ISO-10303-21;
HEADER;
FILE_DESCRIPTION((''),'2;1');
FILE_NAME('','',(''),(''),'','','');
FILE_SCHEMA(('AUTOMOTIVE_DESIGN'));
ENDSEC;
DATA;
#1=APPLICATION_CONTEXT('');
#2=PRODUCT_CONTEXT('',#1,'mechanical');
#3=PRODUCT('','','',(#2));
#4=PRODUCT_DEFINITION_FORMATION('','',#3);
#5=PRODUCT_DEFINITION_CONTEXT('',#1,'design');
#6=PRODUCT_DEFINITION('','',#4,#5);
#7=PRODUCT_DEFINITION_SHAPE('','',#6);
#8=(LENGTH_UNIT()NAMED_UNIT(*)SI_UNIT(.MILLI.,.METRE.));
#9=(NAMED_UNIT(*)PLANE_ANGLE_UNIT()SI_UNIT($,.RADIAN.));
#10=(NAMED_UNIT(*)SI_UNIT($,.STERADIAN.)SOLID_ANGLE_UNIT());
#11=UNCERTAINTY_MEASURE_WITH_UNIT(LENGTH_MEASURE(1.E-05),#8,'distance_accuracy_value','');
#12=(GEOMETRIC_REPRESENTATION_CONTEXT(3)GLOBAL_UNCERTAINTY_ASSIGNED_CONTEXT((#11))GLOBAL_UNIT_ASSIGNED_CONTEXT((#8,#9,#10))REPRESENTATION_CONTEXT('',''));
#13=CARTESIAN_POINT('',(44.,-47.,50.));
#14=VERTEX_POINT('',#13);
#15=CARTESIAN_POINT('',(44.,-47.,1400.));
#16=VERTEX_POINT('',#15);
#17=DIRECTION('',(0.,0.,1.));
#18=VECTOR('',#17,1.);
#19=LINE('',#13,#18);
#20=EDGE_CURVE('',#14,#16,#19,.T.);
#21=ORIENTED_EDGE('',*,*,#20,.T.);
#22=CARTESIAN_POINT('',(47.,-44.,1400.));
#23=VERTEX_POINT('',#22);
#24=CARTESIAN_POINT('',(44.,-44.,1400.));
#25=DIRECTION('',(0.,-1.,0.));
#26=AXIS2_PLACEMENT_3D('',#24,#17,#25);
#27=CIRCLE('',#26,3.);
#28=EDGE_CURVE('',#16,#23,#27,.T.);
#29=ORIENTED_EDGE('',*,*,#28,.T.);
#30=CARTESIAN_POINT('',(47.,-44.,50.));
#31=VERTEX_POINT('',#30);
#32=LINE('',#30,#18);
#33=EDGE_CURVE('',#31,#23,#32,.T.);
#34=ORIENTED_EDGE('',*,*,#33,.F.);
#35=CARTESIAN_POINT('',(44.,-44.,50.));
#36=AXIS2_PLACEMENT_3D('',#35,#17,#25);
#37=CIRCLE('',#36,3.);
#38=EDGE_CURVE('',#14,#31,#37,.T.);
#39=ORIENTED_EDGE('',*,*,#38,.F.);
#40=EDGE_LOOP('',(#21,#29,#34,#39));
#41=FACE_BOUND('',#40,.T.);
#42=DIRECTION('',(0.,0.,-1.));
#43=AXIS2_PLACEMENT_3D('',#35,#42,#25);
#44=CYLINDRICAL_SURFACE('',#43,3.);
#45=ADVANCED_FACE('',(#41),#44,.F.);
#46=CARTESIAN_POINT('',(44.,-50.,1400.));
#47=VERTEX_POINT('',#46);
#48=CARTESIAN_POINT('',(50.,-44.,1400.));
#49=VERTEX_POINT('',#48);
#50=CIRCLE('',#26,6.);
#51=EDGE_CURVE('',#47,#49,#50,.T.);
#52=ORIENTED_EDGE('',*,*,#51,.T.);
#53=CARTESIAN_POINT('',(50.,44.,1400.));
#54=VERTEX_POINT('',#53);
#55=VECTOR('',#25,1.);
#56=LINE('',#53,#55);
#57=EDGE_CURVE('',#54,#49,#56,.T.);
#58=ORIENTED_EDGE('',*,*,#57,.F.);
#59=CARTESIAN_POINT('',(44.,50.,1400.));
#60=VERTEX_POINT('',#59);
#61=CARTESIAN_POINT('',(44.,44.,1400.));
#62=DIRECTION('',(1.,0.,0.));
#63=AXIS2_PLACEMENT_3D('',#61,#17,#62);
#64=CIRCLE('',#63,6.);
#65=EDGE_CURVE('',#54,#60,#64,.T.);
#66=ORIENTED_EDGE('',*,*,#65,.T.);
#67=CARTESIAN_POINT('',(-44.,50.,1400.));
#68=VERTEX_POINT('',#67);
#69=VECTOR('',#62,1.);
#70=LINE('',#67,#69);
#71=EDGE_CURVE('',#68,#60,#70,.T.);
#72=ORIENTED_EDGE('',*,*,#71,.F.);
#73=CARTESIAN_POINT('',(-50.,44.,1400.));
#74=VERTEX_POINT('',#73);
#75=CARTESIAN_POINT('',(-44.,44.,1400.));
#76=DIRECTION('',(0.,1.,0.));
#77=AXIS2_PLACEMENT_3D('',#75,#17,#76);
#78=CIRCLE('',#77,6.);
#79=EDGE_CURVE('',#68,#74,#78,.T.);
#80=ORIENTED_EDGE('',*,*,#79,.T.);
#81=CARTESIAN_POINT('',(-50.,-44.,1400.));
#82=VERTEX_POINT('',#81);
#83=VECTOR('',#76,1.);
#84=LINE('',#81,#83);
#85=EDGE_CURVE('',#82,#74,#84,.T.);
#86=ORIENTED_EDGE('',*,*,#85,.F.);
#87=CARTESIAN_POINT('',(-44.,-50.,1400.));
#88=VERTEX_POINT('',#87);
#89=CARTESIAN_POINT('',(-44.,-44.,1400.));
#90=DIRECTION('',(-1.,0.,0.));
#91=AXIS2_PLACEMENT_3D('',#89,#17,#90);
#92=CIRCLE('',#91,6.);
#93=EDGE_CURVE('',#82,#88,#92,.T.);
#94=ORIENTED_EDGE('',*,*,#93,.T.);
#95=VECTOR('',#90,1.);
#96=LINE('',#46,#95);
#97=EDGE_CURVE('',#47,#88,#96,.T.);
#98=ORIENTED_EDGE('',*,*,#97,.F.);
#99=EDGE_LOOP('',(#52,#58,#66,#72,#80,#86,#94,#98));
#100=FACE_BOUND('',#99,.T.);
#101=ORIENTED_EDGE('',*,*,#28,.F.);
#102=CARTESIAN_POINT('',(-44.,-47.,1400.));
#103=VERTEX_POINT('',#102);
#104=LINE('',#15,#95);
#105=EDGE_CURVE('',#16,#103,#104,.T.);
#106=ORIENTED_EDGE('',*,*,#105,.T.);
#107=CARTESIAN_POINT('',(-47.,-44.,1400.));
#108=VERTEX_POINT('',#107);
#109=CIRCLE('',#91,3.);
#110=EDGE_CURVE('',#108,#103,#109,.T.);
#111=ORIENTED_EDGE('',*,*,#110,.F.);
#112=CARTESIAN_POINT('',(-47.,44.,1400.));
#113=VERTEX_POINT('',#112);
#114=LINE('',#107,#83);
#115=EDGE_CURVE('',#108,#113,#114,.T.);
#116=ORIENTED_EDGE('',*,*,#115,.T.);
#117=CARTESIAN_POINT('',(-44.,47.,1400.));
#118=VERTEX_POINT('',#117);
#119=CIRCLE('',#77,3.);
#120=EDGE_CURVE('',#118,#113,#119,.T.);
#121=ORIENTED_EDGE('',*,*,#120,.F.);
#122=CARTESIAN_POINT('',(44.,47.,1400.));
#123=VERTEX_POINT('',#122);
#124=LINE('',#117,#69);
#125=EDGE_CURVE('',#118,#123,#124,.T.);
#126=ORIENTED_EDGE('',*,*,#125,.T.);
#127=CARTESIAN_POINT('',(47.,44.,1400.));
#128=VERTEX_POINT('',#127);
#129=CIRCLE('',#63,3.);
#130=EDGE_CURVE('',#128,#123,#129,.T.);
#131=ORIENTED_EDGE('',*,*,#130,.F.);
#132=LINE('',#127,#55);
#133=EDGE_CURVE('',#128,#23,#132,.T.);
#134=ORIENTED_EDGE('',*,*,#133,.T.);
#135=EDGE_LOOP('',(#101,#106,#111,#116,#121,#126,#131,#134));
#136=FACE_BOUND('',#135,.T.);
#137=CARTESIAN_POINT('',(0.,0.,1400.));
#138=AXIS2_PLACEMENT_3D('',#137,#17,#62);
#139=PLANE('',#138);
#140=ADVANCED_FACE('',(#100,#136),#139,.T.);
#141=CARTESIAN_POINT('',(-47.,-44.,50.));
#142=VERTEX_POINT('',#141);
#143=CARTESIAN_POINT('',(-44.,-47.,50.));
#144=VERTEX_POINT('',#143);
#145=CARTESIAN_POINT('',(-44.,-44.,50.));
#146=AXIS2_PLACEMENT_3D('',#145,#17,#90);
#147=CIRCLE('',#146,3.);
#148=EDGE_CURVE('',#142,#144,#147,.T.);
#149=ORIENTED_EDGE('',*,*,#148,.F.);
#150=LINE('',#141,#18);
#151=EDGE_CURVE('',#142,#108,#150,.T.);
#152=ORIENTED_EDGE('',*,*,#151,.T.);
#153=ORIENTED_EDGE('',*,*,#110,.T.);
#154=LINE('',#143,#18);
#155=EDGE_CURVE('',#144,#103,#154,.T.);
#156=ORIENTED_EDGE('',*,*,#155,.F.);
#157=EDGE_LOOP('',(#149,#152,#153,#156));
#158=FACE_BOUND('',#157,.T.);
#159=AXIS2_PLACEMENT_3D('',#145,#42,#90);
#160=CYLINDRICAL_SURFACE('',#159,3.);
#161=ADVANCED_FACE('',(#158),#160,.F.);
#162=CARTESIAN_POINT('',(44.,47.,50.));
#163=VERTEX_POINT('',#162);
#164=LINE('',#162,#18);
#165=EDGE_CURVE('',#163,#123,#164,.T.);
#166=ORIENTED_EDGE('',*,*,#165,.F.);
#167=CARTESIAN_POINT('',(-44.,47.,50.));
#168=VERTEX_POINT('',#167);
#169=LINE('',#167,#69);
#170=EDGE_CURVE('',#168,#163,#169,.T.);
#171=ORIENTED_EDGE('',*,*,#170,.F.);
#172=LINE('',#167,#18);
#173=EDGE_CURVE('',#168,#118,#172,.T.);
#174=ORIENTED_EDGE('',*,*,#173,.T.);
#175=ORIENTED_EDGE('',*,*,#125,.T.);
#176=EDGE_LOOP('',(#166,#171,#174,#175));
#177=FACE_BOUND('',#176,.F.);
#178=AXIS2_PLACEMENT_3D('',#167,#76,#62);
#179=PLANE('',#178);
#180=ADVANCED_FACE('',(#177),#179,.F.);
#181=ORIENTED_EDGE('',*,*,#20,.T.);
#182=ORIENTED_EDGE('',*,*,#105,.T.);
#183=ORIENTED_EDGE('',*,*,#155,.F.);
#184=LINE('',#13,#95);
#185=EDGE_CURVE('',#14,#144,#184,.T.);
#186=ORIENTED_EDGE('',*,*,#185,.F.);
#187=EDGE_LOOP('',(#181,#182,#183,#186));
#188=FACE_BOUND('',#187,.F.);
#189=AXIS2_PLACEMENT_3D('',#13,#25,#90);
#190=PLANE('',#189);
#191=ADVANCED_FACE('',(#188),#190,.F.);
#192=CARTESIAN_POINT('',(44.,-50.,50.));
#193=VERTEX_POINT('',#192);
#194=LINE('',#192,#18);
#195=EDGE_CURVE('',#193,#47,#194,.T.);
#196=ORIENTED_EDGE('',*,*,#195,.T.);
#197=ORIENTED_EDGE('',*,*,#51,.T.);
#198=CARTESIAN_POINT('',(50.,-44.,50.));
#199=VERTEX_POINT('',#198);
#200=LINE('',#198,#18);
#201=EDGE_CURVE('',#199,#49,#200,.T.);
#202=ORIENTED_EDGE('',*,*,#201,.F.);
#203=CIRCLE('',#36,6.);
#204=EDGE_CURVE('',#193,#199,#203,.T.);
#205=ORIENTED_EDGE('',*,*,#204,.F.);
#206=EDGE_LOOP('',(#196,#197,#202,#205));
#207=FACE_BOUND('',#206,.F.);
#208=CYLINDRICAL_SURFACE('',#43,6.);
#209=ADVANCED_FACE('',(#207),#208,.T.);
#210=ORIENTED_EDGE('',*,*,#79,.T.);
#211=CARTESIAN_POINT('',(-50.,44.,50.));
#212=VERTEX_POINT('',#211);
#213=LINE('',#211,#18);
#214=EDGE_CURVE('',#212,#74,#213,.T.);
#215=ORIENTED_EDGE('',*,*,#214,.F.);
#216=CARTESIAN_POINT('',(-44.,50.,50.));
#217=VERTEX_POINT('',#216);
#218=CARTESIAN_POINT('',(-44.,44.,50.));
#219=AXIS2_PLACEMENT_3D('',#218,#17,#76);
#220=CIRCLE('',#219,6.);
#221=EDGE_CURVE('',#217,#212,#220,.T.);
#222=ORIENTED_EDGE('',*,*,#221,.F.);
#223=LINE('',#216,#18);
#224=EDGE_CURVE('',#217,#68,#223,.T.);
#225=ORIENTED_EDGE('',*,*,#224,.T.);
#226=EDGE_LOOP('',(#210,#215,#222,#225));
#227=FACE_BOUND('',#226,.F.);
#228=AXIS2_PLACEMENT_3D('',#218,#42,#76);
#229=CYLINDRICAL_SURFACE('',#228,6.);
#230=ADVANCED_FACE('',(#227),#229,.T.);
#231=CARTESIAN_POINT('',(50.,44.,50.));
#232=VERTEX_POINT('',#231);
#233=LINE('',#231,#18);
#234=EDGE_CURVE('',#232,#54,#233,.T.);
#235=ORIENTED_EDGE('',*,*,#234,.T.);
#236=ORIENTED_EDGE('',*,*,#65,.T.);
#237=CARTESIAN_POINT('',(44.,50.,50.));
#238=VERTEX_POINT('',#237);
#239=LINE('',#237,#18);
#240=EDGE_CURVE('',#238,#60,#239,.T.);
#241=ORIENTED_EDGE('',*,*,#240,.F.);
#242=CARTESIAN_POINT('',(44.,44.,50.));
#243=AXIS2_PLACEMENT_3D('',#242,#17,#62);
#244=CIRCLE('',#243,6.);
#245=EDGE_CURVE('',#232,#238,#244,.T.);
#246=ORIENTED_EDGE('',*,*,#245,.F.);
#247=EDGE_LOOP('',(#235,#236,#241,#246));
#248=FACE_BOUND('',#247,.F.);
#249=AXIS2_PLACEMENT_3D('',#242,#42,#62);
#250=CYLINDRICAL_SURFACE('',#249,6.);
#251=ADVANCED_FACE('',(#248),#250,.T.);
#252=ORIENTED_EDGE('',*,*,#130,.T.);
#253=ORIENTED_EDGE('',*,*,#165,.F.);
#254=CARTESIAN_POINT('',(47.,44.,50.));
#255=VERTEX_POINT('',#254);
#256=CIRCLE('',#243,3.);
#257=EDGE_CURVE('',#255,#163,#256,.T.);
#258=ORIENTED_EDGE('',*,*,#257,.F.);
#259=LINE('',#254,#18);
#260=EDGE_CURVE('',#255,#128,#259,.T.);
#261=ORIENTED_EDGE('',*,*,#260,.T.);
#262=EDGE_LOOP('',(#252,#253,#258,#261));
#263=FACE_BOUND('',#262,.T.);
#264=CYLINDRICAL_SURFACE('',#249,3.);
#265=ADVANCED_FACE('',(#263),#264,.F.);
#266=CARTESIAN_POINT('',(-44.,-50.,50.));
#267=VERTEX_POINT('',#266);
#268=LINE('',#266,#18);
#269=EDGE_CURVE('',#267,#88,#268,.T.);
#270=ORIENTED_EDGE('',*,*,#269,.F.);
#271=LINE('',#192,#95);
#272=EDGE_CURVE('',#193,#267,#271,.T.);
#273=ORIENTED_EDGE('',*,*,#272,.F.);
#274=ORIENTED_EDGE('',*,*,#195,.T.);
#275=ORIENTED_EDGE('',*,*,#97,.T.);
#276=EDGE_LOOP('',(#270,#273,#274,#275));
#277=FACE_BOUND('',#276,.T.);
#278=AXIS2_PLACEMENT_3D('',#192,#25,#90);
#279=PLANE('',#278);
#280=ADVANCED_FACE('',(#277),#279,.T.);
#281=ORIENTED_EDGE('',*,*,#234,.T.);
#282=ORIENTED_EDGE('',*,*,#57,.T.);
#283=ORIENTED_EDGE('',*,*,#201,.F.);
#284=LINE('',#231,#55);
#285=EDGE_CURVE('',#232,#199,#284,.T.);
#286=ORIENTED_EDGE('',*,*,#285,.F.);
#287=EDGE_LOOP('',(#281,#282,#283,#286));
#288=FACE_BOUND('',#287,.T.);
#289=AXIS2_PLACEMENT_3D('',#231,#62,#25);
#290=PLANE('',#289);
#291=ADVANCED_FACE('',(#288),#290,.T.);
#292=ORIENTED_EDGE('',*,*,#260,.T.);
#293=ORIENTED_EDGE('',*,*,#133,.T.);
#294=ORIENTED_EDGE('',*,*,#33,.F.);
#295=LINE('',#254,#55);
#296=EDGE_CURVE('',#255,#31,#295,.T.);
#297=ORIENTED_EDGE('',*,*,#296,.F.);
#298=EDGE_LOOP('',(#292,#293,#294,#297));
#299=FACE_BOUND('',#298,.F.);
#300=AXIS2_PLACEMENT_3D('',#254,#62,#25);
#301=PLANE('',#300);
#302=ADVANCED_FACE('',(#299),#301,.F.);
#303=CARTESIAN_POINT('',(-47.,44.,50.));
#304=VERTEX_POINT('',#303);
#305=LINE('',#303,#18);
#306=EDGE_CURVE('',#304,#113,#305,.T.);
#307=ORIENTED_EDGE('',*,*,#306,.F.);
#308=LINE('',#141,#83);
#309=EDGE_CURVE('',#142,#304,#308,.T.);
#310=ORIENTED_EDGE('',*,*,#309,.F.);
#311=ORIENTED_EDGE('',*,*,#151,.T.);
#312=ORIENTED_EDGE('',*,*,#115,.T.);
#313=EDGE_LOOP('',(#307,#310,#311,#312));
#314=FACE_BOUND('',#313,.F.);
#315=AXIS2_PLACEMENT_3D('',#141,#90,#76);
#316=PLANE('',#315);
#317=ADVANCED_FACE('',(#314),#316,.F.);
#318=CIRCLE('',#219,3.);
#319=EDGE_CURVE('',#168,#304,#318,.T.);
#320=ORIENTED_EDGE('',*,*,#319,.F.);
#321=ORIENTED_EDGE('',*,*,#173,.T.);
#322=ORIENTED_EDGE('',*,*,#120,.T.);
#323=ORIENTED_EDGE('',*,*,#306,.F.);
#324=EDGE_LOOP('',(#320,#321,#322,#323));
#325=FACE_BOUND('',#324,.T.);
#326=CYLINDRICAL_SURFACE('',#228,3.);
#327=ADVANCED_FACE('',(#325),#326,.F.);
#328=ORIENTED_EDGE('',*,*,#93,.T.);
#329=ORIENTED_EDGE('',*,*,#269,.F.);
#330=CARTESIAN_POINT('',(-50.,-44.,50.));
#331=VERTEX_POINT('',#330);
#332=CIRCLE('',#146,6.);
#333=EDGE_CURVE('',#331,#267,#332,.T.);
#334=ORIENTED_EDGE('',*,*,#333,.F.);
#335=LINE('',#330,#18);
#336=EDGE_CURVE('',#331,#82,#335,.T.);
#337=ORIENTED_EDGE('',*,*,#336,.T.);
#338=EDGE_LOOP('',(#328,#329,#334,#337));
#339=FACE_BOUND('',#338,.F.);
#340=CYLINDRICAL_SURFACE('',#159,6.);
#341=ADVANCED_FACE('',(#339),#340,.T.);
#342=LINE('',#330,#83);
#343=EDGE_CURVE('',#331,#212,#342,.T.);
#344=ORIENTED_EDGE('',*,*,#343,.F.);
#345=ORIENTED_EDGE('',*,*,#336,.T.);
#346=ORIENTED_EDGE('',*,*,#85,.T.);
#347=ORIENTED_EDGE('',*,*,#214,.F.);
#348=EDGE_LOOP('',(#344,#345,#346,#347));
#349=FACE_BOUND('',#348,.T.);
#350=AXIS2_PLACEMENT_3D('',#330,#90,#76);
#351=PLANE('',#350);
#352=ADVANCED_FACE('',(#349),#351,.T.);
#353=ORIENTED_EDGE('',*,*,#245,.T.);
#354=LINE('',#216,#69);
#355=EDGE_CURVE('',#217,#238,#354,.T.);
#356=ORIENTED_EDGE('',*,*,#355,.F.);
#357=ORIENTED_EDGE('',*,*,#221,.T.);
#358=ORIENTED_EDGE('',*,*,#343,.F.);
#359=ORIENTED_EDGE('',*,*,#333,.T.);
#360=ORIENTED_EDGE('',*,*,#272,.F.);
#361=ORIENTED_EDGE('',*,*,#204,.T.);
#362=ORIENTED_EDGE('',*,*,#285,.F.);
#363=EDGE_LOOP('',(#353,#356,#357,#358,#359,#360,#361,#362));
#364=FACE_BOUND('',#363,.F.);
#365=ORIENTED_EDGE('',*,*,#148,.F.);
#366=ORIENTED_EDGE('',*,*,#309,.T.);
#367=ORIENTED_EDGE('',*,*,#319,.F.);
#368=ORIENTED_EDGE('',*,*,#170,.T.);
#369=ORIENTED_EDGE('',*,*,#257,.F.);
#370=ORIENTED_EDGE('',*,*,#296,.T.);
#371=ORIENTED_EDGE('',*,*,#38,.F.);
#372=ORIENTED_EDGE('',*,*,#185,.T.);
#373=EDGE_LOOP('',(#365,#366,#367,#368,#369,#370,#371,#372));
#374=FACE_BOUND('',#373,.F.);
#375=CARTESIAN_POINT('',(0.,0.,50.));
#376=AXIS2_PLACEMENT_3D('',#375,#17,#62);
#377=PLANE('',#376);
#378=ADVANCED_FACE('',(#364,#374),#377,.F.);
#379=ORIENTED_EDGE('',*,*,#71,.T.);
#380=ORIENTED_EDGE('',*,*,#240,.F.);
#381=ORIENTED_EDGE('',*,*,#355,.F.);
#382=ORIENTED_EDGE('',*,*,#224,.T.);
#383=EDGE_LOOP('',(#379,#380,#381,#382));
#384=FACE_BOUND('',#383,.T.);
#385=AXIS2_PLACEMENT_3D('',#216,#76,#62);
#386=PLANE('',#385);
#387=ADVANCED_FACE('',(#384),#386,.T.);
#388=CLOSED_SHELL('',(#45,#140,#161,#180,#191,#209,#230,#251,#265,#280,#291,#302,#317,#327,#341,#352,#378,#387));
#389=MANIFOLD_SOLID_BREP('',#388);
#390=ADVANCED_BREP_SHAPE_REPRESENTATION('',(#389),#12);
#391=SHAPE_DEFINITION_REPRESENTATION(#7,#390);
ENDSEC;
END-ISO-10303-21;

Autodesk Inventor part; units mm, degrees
ref_plane "YZ Plane" through (0, 0, 0) normal (1, 0, 0) x (0, 1, 0)
ref_plane "Start plane" through (0, 0, 50) normal (0, 0, 1) x (1, 0, 0)
ref_plane "End plane" through (0, 0, 1400) normal (0, 0, 1) x (1, 0, 0)
sketch "Sketch" plane through (0, 0, 0) normal (0, 0, 1) x (1, 0, 0)
  line L0 (-50, -44) -> (-50, 44)
  line L1 (-44, 50) -> (44, 50)
  line L2 (50, 44) -> (50, -44)
  line L3 (44, -50) -> (-44, -50)
  arc A0 (-50, -44) -> (-44, -50) centre (-44, -44) ccw
  arc A1 (50, 44) -> (44, 50) centre (44, 44) ccw
  arc A2 (-44, 50) -> (-50, 44) centre (-44, 44) ccw
  arc A3 (44, -50) -> (50, -44) centre (44, -44) ccw
  arc A4 (-44, 47) -> (-47, 44) centre (-44, 44) ccw
  line L4 (-44, 47) -> (44, 47)
  arc A5 (47, 44) -> (44, 47) centre (44, 44) ccw
  line L5 (47, 44) -> (47, -44)
  arc A6 (44, -47) -> (47, -44) centre (44, -44) ccw
  line L6 (44, -47) -> (-44, -47)
  arc A7 (-47, -44) -> (-44, -47) centre (-44, -44) ccw
  line L7 (-47, -44) -> (-47, 44)
  line L8 (0, 72.3196) -> (0, -72.3196) construction
  line L9 (-72.3196, 0) -> (72.3196, 0) construction
  dimension "d7" = 6
  dimension "d9" = 100
  dimension "d11" = 100
  dimension "d12" = 3
  dimension "d15" = 50
  dimension "d16" = 50
extrude "Body" add sketch "Sketch" along normal up to surface (1350 mm away) from surface at 50
sketch "Sketch3" plane through (0, 0, 0) normal (0, 0, 1) x (1, 0, 0)
  line L0 (0, 0) -> (10, 0)
ref_plane "Work Plane3" through (0, 0, 0) normal (0, -1, 0) x (1, 0, 0)
sketch "Sketch4" plane through (0, 0, 0) normal (0, -1, 0) x (1, 0, 0)
  line L0 (-2, 50) -> (12, 50) projected
  line L1 (-2, 1400) -> (12, 1400) projected
  dimension "d18" = 1350
equation "\"d7\" = G_IR"
equation "\"d9\" = G_W"
equation "\"d11\" = G_H"
equation "\"d12\" = G_T"
equation "\"d15\" = 0.5 * d9"
equation "\"d16\" = 0.5 * d11"
equation "\"d3\" = G_L"
equation "\"G_W\" = 100"
equation "\"G_H\" = 100"
equation "\"G_T\" = 3"
equation "\"G_IR\" = 6"
equation "\"G_L\" = d18"
properties part number "ISO 10799-2 - 100x100x3 - 1350" material "Steel, Mild"
